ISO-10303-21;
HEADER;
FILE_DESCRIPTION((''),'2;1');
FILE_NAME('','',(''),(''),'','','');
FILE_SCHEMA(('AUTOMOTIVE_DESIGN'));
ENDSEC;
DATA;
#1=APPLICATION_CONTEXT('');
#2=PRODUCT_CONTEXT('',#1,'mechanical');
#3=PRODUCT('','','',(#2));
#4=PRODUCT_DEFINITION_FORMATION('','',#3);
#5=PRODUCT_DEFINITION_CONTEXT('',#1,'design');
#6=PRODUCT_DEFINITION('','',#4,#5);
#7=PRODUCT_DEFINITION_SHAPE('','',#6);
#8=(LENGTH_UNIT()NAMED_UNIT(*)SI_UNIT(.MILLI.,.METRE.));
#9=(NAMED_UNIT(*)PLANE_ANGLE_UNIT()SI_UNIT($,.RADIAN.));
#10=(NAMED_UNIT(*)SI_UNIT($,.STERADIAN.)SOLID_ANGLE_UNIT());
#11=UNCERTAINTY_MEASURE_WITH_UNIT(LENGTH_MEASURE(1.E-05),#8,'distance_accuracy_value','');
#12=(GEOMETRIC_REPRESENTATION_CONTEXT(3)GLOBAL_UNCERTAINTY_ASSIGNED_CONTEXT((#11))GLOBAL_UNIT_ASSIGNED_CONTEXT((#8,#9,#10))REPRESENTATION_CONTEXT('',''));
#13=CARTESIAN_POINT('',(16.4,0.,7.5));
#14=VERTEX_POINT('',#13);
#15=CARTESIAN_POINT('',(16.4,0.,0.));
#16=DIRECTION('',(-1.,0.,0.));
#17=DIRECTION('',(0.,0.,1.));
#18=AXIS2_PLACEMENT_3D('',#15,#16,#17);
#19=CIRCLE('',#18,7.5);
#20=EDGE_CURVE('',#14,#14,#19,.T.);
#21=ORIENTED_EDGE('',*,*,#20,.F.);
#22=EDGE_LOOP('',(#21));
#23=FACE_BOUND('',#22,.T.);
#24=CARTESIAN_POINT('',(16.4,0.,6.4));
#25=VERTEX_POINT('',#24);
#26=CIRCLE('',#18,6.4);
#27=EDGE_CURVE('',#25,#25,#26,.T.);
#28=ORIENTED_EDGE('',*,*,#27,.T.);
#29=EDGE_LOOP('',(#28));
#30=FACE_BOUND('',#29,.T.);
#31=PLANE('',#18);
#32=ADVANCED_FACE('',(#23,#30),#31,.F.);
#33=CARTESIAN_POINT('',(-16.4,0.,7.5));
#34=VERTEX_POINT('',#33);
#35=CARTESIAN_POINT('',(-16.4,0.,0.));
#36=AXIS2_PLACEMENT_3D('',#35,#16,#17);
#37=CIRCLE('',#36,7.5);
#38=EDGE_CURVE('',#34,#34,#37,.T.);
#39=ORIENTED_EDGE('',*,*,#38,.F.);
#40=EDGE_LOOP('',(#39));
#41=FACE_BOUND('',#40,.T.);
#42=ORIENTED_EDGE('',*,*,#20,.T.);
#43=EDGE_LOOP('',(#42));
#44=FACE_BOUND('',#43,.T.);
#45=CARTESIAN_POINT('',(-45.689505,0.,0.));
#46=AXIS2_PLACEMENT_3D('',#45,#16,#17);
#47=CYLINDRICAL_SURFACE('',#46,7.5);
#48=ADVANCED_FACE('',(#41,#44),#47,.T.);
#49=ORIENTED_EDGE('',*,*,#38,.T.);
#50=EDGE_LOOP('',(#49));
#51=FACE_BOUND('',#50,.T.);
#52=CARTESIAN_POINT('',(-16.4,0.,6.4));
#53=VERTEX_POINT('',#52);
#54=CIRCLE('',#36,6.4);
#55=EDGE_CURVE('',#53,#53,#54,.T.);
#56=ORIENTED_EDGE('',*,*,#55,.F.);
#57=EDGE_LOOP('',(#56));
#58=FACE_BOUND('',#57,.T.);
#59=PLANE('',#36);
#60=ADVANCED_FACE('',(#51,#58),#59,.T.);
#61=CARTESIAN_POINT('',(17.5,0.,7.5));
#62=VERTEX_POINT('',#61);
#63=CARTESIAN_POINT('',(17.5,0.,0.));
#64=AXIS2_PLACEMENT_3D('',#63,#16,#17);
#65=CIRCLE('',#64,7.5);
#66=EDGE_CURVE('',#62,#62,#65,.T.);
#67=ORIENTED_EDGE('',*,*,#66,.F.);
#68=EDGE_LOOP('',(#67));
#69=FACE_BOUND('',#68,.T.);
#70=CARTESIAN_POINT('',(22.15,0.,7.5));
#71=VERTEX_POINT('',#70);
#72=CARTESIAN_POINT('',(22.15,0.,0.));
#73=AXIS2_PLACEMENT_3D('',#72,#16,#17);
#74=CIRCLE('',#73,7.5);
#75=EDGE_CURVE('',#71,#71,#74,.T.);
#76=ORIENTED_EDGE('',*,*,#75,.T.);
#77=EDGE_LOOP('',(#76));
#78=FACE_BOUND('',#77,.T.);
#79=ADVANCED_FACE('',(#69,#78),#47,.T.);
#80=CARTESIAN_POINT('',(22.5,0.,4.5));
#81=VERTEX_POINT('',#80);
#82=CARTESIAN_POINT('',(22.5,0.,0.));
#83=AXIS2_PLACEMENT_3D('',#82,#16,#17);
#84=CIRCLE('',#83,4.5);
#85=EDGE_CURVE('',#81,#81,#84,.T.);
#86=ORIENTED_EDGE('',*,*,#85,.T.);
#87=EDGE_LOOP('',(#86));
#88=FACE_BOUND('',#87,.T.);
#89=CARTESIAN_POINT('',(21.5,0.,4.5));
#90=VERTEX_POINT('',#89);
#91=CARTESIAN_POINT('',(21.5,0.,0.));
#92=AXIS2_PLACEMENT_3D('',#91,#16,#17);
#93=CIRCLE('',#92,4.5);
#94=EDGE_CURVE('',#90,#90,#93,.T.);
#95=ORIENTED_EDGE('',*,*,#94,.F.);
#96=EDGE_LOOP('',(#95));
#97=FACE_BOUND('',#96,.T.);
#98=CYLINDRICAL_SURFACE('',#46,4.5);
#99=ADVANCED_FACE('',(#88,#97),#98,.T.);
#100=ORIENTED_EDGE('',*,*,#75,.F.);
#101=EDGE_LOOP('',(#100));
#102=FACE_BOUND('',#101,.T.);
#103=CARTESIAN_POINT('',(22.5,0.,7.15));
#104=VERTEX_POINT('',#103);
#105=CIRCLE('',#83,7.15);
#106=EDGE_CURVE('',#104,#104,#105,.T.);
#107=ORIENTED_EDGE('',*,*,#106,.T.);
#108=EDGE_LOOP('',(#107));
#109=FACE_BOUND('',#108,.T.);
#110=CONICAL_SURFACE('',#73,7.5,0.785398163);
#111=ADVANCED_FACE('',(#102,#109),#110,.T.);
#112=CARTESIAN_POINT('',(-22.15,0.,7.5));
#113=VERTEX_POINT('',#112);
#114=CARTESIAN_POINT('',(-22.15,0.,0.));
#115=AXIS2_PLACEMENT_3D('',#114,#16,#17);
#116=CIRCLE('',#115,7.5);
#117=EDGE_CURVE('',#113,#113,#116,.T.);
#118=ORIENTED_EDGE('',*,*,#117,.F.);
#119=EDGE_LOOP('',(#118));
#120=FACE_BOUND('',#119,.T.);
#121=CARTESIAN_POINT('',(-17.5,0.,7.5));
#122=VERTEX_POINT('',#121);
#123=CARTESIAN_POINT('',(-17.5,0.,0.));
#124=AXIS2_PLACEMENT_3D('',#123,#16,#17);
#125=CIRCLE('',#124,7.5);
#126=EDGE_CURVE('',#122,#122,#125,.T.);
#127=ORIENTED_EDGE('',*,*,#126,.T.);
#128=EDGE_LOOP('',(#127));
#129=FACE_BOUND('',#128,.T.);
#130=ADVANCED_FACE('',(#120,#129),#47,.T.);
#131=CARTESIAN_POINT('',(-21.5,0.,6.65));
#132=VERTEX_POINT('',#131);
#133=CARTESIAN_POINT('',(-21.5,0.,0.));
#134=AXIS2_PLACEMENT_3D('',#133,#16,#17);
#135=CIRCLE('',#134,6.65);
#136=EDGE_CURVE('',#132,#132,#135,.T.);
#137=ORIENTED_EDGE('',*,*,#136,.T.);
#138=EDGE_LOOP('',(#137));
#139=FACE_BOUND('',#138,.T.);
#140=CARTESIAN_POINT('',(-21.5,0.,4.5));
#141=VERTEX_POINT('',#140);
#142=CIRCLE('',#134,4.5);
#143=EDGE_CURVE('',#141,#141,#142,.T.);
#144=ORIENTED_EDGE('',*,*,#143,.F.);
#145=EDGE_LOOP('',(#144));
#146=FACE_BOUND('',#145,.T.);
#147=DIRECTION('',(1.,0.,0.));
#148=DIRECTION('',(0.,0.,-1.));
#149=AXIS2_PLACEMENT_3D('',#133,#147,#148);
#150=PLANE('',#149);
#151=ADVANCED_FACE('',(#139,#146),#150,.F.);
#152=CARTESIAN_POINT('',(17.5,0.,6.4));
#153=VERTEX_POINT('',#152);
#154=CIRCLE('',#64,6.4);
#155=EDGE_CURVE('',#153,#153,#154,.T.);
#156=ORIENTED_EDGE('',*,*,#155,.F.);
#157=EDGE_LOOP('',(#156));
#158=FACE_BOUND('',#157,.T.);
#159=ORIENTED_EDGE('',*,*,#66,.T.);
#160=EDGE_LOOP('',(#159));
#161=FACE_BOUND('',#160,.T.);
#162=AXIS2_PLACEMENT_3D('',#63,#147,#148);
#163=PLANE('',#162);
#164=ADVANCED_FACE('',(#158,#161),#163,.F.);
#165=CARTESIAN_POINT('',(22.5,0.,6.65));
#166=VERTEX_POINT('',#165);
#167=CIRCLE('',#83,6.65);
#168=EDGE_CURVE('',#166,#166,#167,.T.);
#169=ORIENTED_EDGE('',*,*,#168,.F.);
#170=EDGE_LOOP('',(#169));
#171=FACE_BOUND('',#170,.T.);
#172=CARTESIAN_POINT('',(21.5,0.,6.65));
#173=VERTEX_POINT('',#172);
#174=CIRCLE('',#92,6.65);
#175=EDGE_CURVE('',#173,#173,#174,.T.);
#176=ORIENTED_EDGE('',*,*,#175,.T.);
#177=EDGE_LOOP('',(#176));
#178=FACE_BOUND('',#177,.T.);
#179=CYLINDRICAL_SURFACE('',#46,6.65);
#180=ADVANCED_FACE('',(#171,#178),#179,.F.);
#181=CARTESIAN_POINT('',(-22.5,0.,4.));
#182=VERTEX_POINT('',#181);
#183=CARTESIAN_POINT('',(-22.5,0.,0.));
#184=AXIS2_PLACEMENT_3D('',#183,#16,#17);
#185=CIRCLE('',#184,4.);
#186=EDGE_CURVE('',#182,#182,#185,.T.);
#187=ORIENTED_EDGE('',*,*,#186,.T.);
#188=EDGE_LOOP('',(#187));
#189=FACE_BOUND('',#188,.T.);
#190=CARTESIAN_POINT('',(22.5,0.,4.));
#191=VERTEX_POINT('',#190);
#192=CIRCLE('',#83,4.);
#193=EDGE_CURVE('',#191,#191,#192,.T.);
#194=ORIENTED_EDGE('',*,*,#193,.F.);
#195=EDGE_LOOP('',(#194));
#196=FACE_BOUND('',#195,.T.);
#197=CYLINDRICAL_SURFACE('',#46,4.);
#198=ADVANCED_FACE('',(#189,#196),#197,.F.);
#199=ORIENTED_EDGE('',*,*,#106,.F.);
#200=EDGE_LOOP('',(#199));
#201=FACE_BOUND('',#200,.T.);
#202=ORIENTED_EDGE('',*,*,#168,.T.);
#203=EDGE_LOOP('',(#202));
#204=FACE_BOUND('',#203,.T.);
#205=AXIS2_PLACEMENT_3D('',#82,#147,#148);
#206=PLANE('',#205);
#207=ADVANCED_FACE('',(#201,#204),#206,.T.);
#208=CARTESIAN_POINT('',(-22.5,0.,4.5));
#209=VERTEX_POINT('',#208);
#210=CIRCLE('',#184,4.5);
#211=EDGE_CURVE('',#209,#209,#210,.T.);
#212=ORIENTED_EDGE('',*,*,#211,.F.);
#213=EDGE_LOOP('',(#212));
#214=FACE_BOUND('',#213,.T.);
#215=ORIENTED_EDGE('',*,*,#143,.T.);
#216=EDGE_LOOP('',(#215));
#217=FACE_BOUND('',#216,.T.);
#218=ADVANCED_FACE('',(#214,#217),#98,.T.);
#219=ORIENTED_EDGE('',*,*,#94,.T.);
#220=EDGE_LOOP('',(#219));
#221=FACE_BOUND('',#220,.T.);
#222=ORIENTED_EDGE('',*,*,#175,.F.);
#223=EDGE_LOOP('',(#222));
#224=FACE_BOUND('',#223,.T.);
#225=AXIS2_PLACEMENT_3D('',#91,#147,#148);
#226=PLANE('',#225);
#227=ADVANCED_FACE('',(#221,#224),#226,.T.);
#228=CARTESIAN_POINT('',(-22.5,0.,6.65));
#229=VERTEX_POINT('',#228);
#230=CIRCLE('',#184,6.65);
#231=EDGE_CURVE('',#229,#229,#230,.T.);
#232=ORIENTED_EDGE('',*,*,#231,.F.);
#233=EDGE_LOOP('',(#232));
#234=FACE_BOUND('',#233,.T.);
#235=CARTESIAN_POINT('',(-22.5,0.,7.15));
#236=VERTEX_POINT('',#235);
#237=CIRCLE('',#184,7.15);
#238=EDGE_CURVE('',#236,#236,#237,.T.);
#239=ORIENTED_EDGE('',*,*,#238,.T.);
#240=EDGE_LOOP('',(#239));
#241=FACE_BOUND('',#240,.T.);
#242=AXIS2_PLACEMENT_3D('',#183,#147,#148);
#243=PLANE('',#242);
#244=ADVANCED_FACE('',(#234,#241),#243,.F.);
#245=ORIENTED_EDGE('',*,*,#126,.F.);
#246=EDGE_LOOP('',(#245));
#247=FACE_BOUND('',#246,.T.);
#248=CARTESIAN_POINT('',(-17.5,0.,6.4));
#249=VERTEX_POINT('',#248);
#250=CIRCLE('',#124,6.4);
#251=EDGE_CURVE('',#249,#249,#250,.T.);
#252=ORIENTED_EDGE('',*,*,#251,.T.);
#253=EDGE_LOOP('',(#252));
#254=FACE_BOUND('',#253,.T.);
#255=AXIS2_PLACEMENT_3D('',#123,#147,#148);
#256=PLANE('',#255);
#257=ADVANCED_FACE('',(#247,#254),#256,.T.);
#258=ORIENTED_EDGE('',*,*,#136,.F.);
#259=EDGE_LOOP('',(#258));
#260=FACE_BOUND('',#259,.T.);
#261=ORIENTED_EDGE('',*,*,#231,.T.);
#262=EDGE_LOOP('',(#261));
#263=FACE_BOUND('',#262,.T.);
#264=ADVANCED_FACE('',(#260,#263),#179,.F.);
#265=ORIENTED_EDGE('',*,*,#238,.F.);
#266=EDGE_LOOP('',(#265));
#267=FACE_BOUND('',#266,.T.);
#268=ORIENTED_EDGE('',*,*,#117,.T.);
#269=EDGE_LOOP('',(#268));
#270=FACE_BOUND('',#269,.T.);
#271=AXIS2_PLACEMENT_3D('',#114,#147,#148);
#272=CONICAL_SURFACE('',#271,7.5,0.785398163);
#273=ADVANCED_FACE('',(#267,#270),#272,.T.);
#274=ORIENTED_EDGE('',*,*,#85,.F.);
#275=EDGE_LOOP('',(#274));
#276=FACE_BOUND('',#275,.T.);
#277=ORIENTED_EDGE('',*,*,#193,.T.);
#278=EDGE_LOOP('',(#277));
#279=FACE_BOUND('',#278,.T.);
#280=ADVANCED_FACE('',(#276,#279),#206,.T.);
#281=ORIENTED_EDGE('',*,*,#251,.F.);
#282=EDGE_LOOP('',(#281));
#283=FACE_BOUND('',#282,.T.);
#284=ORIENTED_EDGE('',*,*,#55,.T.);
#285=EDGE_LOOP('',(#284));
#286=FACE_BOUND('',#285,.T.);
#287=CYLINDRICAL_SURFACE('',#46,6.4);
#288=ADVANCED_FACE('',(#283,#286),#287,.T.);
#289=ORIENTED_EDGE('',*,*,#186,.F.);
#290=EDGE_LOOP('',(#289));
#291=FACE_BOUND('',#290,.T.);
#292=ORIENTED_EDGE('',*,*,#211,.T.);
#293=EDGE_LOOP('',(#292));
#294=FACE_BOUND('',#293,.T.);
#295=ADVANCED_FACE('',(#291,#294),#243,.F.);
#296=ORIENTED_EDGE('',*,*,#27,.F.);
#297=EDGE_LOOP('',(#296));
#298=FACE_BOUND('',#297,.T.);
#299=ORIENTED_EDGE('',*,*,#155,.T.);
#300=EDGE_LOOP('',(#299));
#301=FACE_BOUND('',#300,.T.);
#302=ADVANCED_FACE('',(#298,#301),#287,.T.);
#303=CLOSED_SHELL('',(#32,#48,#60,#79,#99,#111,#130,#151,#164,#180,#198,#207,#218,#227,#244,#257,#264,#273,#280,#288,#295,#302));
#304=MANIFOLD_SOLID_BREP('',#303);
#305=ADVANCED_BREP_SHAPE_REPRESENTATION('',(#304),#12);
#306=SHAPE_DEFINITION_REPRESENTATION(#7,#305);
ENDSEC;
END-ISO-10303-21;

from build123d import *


with BuildPart() as part:
    # Sketch1 → Revolve1 (revolve)
    with BuildSketch(Plane.XY, mode=Mode.PRIVATE) as revolve1_sk:
        Polygon((22.15, 7.5), (22.5, 7.15), (22.5, 6.65), (21.5, 6.65), (21.5, 4.5), (22.5, 4.5), (22.5, 4), (-22.5, 4), (-22.5, 4.5), (-21.5, 4.5), (-21.5, 6.65), (-22.5, 6.65), (-22.5, 7.15), (-22.15, 7.5), (-17.5, 7.5), (-17.5, 6.4), (-16.4, 6.4), (-16.4, 7.5), (16.4, 7.5), (16.4, 6.4), (17.5, 6.4), (17.5, 7.5), align=None)
    revolve(revolve1_sk.sketch.rotate(Axis((-45.689505325, 0, 0), (1, 0, 0)), 90), axis=Axis((-45.689505325, 0, 0), (1, 0, 0)))


solid = part.part
